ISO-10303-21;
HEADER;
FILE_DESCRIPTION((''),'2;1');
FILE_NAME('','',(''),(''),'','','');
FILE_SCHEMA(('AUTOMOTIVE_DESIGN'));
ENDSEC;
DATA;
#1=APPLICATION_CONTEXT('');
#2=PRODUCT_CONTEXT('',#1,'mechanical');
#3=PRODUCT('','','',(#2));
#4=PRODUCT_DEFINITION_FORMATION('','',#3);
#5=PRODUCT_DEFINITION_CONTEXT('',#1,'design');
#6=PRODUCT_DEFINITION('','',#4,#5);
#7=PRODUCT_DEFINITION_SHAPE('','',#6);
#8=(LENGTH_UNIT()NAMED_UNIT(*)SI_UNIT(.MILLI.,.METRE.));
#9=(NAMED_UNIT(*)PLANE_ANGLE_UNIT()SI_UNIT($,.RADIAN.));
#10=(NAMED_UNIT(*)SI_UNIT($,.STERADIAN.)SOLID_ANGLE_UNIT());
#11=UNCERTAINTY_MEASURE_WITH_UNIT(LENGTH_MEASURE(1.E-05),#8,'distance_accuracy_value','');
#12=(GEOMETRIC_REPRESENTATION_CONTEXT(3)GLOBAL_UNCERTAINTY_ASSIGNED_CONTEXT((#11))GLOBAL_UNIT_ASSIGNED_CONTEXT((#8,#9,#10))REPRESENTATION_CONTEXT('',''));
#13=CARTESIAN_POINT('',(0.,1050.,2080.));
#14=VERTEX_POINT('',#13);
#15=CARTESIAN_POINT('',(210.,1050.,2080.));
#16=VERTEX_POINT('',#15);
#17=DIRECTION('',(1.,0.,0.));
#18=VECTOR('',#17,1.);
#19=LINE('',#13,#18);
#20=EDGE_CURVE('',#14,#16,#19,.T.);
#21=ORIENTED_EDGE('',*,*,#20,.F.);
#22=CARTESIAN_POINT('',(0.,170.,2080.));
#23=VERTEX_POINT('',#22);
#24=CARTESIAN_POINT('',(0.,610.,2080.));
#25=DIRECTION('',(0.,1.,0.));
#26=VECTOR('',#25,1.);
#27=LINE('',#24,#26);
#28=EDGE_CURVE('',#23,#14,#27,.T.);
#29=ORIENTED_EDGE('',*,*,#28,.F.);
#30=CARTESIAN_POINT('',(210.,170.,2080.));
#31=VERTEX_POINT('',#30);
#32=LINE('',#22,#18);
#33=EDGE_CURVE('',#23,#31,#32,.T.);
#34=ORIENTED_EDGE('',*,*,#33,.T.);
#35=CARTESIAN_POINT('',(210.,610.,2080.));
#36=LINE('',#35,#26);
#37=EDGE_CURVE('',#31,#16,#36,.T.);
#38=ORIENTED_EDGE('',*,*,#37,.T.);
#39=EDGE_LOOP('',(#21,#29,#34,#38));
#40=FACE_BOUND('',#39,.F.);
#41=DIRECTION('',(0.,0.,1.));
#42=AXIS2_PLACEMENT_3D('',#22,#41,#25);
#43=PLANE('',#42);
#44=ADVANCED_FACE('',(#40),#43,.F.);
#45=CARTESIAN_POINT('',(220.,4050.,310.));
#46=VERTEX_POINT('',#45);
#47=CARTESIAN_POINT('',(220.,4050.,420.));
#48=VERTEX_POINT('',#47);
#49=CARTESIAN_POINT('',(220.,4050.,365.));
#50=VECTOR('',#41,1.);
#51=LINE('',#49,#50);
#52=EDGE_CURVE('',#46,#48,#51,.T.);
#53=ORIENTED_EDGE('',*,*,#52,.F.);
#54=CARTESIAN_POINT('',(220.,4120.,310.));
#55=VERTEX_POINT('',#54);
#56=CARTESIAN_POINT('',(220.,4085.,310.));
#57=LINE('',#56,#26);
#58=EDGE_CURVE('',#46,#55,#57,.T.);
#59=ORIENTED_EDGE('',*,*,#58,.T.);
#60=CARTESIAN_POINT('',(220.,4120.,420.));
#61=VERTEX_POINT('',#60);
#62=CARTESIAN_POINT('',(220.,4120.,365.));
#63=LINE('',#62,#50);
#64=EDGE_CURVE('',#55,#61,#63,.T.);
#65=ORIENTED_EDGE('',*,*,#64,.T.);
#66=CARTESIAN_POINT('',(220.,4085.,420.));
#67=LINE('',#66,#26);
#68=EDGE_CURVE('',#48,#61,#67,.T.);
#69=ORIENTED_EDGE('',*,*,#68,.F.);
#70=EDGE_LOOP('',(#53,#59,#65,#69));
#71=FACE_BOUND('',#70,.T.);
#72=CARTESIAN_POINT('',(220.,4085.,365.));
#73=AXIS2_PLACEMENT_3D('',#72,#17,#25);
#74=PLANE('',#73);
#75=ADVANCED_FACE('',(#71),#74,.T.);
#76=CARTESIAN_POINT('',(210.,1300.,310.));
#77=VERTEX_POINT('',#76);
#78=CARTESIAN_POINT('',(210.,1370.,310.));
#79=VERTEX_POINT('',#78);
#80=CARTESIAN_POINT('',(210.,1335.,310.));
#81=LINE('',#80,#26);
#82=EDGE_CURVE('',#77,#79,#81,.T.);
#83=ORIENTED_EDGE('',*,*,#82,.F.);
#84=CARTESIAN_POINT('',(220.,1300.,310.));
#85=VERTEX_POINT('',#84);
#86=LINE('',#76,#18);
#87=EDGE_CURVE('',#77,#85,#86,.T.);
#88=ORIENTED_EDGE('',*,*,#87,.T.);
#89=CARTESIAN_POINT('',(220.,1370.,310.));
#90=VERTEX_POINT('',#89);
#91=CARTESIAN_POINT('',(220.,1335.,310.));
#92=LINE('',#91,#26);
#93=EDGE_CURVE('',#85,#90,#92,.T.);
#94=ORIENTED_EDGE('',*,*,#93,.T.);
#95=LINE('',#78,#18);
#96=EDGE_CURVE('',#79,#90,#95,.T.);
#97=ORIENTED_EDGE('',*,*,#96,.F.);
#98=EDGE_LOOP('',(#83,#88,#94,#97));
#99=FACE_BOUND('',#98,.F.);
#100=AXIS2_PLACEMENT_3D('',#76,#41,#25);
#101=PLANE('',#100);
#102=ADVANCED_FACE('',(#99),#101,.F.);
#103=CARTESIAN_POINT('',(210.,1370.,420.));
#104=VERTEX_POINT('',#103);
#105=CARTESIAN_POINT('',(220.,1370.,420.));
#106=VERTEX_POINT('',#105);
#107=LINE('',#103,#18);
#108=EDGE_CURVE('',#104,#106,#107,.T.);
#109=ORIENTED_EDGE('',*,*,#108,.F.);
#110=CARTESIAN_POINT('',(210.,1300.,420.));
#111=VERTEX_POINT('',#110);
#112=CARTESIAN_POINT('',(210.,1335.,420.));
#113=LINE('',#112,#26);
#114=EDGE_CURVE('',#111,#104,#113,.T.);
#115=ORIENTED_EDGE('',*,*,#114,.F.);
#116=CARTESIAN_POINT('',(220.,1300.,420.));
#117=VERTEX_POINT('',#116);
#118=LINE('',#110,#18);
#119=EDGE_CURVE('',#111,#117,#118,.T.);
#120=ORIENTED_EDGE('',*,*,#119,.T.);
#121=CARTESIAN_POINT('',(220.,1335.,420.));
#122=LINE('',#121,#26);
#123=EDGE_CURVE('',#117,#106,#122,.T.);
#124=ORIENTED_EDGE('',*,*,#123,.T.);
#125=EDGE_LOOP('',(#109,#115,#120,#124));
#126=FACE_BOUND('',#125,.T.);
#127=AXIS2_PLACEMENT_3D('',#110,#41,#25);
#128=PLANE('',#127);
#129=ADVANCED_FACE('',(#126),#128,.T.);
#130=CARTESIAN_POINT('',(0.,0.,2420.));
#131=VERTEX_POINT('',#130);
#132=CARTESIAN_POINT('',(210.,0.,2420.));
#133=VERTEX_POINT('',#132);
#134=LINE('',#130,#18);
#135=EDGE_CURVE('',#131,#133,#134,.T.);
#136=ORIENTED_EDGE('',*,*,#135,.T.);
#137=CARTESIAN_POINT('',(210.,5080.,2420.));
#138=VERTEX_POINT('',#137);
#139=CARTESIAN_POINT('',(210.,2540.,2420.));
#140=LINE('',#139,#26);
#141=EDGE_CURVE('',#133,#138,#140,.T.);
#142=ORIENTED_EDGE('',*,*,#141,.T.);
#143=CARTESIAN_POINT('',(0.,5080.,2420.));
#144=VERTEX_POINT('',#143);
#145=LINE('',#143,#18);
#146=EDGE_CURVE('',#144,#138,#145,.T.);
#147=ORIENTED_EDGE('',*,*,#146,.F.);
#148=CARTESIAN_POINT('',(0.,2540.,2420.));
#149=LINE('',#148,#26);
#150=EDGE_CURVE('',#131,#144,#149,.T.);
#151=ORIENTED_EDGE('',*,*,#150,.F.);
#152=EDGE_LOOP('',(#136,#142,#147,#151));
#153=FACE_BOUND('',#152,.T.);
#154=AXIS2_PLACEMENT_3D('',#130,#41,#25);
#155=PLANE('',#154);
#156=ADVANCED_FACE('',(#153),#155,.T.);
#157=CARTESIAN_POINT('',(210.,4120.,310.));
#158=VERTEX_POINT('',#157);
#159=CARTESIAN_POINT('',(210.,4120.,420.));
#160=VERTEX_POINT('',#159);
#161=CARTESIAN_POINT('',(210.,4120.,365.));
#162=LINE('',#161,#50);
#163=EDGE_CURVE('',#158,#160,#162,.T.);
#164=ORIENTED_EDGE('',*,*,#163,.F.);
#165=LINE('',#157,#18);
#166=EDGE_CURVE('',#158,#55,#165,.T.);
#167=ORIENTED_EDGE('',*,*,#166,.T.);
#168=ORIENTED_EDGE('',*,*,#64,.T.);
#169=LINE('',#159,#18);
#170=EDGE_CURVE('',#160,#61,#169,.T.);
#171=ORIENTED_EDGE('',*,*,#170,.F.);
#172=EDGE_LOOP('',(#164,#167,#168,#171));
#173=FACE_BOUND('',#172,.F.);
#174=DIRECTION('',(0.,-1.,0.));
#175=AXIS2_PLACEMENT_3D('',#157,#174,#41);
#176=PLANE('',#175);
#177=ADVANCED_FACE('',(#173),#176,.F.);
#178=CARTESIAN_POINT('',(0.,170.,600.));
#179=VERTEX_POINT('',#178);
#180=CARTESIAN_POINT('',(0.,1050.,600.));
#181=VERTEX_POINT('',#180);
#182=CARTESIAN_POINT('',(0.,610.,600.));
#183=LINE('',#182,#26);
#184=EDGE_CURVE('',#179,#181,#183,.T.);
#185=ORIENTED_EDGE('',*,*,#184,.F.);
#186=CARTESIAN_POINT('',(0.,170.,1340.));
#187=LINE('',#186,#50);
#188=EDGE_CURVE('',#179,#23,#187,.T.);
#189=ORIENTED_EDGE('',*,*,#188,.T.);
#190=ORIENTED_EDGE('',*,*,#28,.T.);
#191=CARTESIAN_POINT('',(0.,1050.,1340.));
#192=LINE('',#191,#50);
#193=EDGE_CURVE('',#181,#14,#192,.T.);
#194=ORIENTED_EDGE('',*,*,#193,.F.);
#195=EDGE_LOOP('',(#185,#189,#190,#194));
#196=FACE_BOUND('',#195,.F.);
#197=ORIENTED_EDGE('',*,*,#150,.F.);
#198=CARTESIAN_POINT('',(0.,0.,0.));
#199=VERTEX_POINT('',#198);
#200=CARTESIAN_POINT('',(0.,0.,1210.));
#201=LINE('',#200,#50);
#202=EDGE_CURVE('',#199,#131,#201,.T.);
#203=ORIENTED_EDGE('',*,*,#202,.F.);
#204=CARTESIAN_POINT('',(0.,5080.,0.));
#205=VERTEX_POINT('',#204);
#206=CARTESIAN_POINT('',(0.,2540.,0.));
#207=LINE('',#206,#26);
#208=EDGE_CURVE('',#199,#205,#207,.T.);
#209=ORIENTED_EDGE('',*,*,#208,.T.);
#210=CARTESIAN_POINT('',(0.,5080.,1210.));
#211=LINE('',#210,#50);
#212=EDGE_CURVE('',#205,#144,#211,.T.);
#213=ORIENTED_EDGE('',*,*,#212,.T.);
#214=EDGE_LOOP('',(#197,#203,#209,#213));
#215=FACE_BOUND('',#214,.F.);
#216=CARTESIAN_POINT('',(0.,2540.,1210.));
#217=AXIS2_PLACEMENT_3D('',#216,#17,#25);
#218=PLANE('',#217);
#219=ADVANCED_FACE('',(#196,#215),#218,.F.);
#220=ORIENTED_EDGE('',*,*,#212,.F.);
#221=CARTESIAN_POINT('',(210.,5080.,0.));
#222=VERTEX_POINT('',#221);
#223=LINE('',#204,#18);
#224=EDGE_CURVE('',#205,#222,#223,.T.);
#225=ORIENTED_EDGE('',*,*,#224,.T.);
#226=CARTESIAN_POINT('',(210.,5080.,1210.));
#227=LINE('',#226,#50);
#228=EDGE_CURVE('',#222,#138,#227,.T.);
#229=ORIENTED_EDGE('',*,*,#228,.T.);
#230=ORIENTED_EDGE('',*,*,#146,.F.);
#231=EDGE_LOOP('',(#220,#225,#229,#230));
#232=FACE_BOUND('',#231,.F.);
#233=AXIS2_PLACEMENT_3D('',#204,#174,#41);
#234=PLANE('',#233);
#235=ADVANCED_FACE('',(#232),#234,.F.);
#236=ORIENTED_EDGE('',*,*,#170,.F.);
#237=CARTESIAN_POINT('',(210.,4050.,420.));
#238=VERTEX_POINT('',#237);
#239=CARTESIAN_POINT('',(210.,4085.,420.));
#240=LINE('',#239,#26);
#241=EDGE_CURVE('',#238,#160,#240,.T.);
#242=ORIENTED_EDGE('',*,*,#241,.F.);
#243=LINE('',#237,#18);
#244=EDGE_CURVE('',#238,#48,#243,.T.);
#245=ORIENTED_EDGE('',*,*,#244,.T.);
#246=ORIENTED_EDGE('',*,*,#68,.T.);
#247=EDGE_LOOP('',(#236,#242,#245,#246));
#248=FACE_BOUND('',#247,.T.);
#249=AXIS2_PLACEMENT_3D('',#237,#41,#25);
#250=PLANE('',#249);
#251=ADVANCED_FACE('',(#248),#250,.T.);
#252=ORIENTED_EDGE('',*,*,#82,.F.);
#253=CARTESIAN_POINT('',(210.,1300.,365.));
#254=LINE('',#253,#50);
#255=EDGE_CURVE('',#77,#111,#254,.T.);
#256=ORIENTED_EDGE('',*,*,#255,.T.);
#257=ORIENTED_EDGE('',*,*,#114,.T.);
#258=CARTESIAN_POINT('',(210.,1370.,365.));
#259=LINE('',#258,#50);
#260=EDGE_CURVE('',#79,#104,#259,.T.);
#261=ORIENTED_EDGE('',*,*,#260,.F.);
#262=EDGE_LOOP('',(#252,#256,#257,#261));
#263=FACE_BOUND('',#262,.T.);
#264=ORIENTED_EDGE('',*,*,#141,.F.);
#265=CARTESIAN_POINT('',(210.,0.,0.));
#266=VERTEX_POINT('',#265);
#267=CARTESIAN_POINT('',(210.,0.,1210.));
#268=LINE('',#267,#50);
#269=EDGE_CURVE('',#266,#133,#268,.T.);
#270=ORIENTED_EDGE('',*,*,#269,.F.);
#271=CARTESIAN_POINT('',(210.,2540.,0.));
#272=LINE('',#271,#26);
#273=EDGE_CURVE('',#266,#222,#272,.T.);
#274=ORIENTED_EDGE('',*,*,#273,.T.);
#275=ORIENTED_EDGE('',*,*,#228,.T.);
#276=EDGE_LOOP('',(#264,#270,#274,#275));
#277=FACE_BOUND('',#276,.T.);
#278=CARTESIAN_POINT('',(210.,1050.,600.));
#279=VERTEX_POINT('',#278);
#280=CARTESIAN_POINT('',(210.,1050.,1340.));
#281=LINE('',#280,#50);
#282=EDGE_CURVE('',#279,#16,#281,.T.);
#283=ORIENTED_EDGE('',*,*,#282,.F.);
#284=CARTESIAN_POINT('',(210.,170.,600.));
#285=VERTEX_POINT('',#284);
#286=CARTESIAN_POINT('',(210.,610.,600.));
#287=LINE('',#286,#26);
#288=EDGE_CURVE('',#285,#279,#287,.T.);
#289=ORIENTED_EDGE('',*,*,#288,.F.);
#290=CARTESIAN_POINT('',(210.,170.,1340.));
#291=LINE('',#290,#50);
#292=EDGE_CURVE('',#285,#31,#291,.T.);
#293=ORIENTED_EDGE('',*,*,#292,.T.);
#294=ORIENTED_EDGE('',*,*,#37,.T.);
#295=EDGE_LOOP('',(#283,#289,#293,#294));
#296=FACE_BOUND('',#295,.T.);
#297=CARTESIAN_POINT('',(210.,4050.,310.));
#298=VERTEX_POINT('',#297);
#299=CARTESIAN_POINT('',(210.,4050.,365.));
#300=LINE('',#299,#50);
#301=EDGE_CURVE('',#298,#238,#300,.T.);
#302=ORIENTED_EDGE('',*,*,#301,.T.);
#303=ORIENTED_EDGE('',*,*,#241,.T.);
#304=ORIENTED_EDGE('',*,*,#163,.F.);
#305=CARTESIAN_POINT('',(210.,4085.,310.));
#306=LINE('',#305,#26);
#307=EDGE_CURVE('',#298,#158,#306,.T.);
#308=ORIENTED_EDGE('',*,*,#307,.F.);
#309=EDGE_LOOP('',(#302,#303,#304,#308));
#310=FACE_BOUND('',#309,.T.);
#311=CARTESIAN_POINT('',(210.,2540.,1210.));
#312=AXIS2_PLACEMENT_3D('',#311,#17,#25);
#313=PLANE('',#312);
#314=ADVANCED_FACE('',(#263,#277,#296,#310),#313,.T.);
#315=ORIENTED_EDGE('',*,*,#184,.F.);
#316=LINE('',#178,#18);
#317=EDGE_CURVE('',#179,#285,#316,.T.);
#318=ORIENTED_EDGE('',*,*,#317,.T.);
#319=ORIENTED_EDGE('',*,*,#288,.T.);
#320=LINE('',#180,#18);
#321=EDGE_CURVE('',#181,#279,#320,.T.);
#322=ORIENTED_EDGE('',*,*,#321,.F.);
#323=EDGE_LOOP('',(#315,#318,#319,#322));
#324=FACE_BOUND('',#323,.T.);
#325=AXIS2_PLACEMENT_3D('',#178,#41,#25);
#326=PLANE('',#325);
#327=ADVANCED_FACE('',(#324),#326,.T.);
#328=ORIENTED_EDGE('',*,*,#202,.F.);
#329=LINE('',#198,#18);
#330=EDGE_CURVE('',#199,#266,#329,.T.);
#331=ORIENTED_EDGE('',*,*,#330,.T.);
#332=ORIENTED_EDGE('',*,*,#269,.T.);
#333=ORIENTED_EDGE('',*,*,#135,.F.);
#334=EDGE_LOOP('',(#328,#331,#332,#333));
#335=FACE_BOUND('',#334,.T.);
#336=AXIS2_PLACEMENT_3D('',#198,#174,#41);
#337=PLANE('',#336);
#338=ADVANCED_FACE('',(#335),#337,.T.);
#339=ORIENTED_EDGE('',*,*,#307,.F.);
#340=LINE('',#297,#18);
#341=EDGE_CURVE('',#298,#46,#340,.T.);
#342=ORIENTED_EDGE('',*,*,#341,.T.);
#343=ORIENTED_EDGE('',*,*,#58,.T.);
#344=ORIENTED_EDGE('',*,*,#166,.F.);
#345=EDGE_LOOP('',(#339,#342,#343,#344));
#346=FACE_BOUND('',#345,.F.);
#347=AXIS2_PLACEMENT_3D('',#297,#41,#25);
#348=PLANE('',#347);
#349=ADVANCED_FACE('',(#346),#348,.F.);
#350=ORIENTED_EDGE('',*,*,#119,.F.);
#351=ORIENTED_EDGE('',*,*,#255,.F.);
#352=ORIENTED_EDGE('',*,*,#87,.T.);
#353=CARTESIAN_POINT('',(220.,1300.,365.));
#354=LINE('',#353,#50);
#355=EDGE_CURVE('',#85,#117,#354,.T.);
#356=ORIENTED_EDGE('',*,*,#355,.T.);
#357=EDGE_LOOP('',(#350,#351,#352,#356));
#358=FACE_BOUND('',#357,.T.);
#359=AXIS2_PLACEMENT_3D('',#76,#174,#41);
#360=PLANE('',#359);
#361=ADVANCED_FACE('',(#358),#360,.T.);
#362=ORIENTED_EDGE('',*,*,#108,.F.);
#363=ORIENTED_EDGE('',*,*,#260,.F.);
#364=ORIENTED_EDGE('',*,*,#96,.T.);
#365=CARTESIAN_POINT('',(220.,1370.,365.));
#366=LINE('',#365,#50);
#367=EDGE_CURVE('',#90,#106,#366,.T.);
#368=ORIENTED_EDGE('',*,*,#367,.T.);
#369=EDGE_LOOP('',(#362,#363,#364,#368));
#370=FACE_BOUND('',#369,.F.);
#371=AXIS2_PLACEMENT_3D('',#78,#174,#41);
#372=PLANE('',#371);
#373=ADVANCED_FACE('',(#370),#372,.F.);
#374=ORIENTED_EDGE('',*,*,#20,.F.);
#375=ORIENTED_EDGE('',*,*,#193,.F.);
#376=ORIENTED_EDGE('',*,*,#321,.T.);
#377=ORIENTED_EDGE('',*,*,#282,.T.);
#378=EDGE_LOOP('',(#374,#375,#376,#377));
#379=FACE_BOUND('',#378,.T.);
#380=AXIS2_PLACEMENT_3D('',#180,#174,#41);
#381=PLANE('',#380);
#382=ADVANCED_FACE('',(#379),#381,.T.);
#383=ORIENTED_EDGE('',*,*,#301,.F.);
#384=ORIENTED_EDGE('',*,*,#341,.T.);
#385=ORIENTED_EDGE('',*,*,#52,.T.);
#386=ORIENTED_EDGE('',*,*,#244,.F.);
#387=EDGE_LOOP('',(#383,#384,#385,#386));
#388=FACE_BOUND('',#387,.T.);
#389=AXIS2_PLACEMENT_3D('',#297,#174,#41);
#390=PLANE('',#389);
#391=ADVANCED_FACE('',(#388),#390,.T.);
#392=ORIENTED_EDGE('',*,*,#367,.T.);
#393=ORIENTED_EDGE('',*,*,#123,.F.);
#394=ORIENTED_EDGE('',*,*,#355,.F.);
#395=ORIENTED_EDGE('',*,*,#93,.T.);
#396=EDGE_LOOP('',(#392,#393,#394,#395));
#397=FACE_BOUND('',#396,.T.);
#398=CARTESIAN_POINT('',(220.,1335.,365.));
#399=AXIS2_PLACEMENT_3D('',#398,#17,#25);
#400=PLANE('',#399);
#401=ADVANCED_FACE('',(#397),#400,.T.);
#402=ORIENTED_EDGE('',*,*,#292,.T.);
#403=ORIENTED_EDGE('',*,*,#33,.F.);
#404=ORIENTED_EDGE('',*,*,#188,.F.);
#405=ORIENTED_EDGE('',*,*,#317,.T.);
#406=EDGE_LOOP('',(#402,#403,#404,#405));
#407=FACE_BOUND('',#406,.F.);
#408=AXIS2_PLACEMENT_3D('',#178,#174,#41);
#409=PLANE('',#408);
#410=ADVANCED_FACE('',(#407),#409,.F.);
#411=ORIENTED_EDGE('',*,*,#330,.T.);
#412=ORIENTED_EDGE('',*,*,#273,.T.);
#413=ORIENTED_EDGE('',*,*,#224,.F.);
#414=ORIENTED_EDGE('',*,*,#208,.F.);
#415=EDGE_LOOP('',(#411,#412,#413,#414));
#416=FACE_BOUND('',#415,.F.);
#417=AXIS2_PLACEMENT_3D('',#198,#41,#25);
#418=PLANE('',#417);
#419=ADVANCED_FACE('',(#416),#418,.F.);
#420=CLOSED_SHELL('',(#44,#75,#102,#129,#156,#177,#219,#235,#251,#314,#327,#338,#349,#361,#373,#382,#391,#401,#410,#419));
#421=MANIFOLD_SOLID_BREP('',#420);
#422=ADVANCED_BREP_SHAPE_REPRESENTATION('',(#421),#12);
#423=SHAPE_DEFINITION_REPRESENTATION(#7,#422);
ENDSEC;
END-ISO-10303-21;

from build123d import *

# Parameters (mm, degrees)
SKETCH_W     = 5080
SKETCH_H     = 2420
SKETCH_W_2   = 880
SKETCH_H_2   = 1480
PAD_DEPTH    = 210
SKETCH001_W  = 70
SKETCH001_H  = 110
PAD001_DEPTH = 10


with BuildPart() as part:
    # Sketch → Pad (new body)
    with BuildSketch(Plane.YZ):
        with Locations((2540, 1210)):
            Rectangle(SKETCH_W, SKETCH_H)
        with Locations((610, 1340)):
            Rectangle(SKETCH_W_2, SKETCH_H_2, mode=Mode.SUBTRACT)
    extrude(amount=PAD_DEPTH)

    # Sketch001 (on Face10 of Pad) → Pad001 (join)
    with BuildSketch(Plane.YZ.offset(210)):
        with Locations((1335, 365)):
            Rectangle(SKETCH001_W, SKETCH001_H)
        with Locations((4085, 365)):
            Rectangle(SKETCH001_W, SKETCH001_H)
    extrude(amount=PAD001_DEPTH)


solid = part.part
